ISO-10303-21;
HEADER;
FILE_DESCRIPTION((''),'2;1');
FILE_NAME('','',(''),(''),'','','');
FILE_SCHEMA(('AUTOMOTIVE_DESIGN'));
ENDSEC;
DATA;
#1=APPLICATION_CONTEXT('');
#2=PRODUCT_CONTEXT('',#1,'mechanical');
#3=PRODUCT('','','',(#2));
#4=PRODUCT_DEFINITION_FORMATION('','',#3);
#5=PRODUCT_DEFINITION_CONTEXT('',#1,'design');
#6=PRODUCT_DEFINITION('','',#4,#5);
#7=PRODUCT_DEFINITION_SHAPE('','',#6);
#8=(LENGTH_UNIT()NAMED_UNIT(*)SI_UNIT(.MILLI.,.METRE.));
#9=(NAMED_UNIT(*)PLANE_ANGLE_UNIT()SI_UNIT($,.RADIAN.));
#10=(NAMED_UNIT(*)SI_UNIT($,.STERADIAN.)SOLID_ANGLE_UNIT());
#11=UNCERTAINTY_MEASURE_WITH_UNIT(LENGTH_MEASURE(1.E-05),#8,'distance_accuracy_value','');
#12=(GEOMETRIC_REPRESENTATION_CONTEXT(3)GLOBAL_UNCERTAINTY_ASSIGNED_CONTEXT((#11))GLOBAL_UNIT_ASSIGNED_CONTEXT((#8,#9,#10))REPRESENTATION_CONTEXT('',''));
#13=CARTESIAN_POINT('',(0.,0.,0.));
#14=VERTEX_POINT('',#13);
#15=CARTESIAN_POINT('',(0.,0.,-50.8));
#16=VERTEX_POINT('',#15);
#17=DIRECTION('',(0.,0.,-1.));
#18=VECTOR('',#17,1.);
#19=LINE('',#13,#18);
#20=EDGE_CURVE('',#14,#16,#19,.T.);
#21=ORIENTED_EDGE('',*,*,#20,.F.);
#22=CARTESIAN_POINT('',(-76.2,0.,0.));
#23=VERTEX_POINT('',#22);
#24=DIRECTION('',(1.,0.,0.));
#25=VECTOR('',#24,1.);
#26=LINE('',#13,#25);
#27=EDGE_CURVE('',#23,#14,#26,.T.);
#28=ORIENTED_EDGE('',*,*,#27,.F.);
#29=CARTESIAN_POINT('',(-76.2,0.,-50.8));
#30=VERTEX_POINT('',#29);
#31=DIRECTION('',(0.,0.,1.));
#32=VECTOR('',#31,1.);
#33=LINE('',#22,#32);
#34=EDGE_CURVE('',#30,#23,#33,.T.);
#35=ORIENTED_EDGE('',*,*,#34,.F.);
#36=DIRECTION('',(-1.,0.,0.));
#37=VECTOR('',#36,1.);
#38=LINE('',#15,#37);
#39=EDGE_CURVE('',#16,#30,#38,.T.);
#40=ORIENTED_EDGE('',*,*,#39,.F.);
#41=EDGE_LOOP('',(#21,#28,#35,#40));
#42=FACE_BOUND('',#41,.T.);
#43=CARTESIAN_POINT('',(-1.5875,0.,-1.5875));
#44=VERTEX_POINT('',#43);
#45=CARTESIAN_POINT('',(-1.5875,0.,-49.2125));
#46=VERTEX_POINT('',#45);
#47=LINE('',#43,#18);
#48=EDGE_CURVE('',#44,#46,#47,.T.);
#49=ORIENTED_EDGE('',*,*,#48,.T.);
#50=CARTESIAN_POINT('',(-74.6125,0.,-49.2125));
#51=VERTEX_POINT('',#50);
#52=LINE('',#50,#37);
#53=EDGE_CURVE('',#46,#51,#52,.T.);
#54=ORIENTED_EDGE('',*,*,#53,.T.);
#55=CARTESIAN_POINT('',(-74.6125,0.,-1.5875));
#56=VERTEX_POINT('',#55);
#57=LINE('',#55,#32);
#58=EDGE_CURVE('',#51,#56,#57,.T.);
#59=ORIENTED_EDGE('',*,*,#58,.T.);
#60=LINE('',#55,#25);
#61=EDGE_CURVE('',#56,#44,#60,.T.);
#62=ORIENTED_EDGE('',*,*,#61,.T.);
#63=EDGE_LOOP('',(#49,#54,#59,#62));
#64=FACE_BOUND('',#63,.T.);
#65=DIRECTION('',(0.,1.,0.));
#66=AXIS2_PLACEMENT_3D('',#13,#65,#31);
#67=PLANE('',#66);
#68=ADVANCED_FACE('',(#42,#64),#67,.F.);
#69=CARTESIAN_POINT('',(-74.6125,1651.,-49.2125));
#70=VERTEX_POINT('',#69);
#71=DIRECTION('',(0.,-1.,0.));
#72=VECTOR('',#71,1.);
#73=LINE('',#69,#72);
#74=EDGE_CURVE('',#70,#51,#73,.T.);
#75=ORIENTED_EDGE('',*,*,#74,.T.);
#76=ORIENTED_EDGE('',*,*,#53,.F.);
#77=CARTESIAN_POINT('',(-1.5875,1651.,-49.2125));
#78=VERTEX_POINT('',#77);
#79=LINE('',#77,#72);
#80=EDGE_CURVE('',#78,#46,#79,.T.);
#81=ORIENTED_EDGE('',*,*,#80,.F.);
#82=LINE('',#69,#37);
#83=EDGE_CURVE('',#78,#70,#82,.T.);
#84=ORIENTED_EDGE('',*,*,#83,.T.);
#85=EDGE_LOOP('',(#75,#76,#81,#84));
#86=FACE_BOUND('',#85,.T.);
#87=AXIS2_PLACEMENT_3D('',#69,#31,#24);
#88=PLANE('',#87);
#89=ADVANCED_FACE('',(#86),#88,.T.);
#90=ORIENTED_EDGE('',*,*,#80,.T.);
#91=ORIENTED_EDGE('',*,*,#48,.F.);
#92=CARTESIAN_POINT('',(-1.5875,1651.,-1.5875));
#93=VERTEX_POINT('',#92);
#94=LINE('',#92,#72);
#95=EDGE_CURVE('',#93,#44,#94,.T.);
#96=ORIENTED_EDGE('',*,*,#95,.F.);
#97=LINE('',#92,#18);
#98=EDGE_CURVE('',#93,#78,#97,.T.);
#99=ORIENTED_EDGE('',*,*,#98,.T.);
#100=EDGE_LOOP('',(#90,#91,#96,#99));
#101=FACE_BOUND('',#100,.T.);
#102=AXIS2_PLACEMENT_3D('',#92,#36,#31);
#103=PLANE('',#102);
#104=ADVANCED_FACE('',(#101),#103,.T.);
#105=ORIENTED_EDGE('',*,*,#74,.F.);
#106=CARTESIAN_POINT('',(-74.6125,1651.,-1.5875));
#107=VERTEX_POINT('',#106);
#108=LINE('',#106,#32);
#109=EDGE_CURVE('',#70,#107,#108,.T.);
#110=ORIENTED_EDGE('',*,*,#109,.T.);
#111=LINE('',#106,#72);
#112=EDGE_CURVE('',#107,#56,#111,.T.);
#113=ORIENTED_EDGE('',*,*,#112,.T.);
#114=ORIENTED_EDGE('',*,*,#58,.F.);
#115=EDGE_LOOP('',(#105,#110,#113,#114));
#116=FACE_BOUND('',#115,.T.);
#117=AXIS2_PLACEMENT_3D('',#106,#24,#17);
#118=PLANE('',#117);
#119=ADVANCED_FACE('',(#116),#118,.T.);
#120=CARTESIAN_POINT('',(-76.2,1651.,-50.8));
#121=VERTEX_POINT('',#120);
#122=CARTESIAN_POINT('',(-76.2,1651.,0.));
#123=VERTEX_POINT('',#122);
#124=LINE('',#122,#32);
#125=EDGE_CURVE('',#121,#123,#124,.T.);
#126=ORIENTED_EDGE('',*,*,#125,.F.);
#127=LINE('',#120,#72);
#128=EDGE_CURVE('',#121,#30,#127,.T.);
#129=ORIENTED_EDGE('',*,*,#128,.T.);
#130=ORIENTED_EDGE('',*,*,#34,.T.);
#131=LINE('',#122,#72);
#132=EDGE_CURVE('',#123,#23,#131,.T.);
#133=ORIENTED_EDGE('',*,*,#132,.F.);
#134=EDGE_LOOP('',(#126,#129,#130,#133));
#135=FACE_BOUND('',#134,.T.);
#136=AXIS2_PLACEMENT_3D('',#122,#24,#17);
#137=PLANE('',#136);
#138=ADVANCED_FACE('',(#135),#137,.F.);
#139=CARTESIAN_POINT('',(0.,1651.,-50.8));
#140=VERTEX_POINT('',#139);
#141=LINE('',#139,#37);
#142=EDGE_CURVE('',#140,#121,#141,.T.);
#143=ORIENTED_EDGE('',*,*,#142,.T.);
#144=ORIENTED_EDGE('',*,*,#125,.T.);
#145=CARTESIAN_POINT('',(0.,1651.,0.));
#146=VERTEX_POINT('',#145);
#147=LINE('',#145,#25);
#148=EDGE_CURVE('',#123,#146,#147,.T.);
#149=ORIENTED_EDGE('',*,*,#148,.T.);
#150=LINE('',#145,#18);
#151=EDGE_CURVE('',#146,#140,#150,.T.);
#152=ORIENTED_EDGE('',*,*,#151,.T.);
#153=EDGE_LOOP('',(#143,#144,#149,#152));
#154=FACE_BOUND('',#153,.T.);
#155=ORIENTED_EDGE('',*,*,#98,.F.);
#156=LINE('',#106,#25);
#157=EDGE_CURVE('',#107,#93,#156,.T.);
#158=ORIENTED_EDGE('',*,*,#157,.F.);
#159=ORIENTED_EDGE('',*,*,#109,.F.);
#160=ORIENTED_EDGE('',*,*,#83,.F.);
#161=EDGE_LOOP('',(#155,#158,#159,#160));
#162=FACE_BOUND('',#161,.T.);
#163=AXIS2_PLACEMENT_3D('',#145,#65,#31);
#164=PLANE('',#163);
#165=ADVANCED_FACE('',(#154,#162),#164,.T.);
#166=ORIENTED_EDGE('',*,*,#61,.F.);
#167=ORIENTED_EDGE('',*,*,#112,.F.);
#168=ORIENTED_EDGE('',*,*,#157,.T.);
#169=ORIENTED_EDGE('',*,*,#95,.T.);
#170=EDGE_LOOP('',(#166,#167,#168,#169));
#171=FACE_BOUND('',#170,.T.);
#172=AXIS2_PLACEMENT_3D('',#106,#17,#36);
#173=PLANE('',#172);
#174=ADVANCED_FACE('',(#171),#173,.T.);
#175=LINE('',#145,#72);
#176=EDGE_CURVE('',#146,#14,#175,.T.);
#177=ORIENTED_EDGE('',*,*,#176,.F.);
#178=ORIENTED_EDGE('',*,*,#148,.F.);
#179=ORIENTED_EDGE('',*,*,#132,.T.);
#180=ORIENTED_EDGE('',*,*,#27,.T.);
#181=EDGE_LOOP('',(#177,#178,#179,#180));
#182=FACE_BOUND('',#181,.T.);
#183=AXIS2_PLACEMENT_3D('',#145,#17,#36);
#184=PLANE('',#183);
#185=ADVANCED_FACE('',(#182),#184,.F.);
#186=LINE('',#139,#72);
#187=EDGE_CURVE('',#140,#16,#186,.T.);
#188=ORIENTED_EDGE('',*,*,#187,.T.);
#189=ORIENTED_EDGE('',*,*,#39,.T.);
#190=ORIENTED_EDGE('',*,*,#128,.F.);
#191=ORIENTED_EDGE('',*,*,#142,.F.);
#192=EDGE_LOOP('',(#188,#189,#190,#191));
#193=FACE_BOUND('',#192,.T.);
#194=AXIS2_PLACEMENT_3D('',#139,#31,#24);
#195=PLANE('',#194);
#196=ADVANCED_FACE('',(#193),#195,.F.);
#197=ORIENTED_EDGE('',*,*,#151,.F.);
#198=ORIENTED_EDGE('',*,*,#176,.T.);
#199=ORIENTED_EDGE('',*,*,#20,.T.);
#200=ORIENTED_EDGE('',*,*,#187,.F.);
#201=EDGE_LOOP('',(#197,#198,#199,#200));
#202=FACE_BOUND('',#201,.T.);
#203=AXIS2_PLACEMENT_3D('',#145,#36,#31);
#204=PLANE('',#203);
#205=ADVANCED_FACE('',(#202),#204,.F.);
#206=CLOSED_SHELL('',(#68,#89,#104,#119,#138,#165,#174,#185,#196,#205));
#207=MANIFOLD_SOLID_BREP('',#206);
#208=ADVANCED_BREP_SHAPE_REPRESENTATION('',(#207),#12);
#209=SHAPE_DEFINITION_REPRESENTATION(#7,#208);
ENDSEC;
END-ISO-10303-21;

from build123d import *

# Parameters (mm, degrees)
SKETCH1_W           = 76.2
SKETCH1_H           = 50.8
SKETCH1_W_2         = 73.025
SKETCH1_H_2         = 47.625
BOSS_EXTRUDE1_DEPTH = 1651


with BuildPart() as part:
    # Sketch1 → Boss-Extrude1 (new body)
    with BuildSketch(Plane(origin=(0, 0, 0), x_dir=(1, 0, 0), z_dir=(0, 1, 0))):
        with Locations((-38.1, 25.4)):
            Rectangle(SKETCH1_W, SKETCH1_H)
        with Locations((-38.1, 25.4)):
            Rectangle(SKETCH1_W_2, SKETCH1_H_2, mode=Mode.SUBTRACT)
    extrude(amount=BOSS_EXTRUDE1_DEPTH)


solid = part.part
